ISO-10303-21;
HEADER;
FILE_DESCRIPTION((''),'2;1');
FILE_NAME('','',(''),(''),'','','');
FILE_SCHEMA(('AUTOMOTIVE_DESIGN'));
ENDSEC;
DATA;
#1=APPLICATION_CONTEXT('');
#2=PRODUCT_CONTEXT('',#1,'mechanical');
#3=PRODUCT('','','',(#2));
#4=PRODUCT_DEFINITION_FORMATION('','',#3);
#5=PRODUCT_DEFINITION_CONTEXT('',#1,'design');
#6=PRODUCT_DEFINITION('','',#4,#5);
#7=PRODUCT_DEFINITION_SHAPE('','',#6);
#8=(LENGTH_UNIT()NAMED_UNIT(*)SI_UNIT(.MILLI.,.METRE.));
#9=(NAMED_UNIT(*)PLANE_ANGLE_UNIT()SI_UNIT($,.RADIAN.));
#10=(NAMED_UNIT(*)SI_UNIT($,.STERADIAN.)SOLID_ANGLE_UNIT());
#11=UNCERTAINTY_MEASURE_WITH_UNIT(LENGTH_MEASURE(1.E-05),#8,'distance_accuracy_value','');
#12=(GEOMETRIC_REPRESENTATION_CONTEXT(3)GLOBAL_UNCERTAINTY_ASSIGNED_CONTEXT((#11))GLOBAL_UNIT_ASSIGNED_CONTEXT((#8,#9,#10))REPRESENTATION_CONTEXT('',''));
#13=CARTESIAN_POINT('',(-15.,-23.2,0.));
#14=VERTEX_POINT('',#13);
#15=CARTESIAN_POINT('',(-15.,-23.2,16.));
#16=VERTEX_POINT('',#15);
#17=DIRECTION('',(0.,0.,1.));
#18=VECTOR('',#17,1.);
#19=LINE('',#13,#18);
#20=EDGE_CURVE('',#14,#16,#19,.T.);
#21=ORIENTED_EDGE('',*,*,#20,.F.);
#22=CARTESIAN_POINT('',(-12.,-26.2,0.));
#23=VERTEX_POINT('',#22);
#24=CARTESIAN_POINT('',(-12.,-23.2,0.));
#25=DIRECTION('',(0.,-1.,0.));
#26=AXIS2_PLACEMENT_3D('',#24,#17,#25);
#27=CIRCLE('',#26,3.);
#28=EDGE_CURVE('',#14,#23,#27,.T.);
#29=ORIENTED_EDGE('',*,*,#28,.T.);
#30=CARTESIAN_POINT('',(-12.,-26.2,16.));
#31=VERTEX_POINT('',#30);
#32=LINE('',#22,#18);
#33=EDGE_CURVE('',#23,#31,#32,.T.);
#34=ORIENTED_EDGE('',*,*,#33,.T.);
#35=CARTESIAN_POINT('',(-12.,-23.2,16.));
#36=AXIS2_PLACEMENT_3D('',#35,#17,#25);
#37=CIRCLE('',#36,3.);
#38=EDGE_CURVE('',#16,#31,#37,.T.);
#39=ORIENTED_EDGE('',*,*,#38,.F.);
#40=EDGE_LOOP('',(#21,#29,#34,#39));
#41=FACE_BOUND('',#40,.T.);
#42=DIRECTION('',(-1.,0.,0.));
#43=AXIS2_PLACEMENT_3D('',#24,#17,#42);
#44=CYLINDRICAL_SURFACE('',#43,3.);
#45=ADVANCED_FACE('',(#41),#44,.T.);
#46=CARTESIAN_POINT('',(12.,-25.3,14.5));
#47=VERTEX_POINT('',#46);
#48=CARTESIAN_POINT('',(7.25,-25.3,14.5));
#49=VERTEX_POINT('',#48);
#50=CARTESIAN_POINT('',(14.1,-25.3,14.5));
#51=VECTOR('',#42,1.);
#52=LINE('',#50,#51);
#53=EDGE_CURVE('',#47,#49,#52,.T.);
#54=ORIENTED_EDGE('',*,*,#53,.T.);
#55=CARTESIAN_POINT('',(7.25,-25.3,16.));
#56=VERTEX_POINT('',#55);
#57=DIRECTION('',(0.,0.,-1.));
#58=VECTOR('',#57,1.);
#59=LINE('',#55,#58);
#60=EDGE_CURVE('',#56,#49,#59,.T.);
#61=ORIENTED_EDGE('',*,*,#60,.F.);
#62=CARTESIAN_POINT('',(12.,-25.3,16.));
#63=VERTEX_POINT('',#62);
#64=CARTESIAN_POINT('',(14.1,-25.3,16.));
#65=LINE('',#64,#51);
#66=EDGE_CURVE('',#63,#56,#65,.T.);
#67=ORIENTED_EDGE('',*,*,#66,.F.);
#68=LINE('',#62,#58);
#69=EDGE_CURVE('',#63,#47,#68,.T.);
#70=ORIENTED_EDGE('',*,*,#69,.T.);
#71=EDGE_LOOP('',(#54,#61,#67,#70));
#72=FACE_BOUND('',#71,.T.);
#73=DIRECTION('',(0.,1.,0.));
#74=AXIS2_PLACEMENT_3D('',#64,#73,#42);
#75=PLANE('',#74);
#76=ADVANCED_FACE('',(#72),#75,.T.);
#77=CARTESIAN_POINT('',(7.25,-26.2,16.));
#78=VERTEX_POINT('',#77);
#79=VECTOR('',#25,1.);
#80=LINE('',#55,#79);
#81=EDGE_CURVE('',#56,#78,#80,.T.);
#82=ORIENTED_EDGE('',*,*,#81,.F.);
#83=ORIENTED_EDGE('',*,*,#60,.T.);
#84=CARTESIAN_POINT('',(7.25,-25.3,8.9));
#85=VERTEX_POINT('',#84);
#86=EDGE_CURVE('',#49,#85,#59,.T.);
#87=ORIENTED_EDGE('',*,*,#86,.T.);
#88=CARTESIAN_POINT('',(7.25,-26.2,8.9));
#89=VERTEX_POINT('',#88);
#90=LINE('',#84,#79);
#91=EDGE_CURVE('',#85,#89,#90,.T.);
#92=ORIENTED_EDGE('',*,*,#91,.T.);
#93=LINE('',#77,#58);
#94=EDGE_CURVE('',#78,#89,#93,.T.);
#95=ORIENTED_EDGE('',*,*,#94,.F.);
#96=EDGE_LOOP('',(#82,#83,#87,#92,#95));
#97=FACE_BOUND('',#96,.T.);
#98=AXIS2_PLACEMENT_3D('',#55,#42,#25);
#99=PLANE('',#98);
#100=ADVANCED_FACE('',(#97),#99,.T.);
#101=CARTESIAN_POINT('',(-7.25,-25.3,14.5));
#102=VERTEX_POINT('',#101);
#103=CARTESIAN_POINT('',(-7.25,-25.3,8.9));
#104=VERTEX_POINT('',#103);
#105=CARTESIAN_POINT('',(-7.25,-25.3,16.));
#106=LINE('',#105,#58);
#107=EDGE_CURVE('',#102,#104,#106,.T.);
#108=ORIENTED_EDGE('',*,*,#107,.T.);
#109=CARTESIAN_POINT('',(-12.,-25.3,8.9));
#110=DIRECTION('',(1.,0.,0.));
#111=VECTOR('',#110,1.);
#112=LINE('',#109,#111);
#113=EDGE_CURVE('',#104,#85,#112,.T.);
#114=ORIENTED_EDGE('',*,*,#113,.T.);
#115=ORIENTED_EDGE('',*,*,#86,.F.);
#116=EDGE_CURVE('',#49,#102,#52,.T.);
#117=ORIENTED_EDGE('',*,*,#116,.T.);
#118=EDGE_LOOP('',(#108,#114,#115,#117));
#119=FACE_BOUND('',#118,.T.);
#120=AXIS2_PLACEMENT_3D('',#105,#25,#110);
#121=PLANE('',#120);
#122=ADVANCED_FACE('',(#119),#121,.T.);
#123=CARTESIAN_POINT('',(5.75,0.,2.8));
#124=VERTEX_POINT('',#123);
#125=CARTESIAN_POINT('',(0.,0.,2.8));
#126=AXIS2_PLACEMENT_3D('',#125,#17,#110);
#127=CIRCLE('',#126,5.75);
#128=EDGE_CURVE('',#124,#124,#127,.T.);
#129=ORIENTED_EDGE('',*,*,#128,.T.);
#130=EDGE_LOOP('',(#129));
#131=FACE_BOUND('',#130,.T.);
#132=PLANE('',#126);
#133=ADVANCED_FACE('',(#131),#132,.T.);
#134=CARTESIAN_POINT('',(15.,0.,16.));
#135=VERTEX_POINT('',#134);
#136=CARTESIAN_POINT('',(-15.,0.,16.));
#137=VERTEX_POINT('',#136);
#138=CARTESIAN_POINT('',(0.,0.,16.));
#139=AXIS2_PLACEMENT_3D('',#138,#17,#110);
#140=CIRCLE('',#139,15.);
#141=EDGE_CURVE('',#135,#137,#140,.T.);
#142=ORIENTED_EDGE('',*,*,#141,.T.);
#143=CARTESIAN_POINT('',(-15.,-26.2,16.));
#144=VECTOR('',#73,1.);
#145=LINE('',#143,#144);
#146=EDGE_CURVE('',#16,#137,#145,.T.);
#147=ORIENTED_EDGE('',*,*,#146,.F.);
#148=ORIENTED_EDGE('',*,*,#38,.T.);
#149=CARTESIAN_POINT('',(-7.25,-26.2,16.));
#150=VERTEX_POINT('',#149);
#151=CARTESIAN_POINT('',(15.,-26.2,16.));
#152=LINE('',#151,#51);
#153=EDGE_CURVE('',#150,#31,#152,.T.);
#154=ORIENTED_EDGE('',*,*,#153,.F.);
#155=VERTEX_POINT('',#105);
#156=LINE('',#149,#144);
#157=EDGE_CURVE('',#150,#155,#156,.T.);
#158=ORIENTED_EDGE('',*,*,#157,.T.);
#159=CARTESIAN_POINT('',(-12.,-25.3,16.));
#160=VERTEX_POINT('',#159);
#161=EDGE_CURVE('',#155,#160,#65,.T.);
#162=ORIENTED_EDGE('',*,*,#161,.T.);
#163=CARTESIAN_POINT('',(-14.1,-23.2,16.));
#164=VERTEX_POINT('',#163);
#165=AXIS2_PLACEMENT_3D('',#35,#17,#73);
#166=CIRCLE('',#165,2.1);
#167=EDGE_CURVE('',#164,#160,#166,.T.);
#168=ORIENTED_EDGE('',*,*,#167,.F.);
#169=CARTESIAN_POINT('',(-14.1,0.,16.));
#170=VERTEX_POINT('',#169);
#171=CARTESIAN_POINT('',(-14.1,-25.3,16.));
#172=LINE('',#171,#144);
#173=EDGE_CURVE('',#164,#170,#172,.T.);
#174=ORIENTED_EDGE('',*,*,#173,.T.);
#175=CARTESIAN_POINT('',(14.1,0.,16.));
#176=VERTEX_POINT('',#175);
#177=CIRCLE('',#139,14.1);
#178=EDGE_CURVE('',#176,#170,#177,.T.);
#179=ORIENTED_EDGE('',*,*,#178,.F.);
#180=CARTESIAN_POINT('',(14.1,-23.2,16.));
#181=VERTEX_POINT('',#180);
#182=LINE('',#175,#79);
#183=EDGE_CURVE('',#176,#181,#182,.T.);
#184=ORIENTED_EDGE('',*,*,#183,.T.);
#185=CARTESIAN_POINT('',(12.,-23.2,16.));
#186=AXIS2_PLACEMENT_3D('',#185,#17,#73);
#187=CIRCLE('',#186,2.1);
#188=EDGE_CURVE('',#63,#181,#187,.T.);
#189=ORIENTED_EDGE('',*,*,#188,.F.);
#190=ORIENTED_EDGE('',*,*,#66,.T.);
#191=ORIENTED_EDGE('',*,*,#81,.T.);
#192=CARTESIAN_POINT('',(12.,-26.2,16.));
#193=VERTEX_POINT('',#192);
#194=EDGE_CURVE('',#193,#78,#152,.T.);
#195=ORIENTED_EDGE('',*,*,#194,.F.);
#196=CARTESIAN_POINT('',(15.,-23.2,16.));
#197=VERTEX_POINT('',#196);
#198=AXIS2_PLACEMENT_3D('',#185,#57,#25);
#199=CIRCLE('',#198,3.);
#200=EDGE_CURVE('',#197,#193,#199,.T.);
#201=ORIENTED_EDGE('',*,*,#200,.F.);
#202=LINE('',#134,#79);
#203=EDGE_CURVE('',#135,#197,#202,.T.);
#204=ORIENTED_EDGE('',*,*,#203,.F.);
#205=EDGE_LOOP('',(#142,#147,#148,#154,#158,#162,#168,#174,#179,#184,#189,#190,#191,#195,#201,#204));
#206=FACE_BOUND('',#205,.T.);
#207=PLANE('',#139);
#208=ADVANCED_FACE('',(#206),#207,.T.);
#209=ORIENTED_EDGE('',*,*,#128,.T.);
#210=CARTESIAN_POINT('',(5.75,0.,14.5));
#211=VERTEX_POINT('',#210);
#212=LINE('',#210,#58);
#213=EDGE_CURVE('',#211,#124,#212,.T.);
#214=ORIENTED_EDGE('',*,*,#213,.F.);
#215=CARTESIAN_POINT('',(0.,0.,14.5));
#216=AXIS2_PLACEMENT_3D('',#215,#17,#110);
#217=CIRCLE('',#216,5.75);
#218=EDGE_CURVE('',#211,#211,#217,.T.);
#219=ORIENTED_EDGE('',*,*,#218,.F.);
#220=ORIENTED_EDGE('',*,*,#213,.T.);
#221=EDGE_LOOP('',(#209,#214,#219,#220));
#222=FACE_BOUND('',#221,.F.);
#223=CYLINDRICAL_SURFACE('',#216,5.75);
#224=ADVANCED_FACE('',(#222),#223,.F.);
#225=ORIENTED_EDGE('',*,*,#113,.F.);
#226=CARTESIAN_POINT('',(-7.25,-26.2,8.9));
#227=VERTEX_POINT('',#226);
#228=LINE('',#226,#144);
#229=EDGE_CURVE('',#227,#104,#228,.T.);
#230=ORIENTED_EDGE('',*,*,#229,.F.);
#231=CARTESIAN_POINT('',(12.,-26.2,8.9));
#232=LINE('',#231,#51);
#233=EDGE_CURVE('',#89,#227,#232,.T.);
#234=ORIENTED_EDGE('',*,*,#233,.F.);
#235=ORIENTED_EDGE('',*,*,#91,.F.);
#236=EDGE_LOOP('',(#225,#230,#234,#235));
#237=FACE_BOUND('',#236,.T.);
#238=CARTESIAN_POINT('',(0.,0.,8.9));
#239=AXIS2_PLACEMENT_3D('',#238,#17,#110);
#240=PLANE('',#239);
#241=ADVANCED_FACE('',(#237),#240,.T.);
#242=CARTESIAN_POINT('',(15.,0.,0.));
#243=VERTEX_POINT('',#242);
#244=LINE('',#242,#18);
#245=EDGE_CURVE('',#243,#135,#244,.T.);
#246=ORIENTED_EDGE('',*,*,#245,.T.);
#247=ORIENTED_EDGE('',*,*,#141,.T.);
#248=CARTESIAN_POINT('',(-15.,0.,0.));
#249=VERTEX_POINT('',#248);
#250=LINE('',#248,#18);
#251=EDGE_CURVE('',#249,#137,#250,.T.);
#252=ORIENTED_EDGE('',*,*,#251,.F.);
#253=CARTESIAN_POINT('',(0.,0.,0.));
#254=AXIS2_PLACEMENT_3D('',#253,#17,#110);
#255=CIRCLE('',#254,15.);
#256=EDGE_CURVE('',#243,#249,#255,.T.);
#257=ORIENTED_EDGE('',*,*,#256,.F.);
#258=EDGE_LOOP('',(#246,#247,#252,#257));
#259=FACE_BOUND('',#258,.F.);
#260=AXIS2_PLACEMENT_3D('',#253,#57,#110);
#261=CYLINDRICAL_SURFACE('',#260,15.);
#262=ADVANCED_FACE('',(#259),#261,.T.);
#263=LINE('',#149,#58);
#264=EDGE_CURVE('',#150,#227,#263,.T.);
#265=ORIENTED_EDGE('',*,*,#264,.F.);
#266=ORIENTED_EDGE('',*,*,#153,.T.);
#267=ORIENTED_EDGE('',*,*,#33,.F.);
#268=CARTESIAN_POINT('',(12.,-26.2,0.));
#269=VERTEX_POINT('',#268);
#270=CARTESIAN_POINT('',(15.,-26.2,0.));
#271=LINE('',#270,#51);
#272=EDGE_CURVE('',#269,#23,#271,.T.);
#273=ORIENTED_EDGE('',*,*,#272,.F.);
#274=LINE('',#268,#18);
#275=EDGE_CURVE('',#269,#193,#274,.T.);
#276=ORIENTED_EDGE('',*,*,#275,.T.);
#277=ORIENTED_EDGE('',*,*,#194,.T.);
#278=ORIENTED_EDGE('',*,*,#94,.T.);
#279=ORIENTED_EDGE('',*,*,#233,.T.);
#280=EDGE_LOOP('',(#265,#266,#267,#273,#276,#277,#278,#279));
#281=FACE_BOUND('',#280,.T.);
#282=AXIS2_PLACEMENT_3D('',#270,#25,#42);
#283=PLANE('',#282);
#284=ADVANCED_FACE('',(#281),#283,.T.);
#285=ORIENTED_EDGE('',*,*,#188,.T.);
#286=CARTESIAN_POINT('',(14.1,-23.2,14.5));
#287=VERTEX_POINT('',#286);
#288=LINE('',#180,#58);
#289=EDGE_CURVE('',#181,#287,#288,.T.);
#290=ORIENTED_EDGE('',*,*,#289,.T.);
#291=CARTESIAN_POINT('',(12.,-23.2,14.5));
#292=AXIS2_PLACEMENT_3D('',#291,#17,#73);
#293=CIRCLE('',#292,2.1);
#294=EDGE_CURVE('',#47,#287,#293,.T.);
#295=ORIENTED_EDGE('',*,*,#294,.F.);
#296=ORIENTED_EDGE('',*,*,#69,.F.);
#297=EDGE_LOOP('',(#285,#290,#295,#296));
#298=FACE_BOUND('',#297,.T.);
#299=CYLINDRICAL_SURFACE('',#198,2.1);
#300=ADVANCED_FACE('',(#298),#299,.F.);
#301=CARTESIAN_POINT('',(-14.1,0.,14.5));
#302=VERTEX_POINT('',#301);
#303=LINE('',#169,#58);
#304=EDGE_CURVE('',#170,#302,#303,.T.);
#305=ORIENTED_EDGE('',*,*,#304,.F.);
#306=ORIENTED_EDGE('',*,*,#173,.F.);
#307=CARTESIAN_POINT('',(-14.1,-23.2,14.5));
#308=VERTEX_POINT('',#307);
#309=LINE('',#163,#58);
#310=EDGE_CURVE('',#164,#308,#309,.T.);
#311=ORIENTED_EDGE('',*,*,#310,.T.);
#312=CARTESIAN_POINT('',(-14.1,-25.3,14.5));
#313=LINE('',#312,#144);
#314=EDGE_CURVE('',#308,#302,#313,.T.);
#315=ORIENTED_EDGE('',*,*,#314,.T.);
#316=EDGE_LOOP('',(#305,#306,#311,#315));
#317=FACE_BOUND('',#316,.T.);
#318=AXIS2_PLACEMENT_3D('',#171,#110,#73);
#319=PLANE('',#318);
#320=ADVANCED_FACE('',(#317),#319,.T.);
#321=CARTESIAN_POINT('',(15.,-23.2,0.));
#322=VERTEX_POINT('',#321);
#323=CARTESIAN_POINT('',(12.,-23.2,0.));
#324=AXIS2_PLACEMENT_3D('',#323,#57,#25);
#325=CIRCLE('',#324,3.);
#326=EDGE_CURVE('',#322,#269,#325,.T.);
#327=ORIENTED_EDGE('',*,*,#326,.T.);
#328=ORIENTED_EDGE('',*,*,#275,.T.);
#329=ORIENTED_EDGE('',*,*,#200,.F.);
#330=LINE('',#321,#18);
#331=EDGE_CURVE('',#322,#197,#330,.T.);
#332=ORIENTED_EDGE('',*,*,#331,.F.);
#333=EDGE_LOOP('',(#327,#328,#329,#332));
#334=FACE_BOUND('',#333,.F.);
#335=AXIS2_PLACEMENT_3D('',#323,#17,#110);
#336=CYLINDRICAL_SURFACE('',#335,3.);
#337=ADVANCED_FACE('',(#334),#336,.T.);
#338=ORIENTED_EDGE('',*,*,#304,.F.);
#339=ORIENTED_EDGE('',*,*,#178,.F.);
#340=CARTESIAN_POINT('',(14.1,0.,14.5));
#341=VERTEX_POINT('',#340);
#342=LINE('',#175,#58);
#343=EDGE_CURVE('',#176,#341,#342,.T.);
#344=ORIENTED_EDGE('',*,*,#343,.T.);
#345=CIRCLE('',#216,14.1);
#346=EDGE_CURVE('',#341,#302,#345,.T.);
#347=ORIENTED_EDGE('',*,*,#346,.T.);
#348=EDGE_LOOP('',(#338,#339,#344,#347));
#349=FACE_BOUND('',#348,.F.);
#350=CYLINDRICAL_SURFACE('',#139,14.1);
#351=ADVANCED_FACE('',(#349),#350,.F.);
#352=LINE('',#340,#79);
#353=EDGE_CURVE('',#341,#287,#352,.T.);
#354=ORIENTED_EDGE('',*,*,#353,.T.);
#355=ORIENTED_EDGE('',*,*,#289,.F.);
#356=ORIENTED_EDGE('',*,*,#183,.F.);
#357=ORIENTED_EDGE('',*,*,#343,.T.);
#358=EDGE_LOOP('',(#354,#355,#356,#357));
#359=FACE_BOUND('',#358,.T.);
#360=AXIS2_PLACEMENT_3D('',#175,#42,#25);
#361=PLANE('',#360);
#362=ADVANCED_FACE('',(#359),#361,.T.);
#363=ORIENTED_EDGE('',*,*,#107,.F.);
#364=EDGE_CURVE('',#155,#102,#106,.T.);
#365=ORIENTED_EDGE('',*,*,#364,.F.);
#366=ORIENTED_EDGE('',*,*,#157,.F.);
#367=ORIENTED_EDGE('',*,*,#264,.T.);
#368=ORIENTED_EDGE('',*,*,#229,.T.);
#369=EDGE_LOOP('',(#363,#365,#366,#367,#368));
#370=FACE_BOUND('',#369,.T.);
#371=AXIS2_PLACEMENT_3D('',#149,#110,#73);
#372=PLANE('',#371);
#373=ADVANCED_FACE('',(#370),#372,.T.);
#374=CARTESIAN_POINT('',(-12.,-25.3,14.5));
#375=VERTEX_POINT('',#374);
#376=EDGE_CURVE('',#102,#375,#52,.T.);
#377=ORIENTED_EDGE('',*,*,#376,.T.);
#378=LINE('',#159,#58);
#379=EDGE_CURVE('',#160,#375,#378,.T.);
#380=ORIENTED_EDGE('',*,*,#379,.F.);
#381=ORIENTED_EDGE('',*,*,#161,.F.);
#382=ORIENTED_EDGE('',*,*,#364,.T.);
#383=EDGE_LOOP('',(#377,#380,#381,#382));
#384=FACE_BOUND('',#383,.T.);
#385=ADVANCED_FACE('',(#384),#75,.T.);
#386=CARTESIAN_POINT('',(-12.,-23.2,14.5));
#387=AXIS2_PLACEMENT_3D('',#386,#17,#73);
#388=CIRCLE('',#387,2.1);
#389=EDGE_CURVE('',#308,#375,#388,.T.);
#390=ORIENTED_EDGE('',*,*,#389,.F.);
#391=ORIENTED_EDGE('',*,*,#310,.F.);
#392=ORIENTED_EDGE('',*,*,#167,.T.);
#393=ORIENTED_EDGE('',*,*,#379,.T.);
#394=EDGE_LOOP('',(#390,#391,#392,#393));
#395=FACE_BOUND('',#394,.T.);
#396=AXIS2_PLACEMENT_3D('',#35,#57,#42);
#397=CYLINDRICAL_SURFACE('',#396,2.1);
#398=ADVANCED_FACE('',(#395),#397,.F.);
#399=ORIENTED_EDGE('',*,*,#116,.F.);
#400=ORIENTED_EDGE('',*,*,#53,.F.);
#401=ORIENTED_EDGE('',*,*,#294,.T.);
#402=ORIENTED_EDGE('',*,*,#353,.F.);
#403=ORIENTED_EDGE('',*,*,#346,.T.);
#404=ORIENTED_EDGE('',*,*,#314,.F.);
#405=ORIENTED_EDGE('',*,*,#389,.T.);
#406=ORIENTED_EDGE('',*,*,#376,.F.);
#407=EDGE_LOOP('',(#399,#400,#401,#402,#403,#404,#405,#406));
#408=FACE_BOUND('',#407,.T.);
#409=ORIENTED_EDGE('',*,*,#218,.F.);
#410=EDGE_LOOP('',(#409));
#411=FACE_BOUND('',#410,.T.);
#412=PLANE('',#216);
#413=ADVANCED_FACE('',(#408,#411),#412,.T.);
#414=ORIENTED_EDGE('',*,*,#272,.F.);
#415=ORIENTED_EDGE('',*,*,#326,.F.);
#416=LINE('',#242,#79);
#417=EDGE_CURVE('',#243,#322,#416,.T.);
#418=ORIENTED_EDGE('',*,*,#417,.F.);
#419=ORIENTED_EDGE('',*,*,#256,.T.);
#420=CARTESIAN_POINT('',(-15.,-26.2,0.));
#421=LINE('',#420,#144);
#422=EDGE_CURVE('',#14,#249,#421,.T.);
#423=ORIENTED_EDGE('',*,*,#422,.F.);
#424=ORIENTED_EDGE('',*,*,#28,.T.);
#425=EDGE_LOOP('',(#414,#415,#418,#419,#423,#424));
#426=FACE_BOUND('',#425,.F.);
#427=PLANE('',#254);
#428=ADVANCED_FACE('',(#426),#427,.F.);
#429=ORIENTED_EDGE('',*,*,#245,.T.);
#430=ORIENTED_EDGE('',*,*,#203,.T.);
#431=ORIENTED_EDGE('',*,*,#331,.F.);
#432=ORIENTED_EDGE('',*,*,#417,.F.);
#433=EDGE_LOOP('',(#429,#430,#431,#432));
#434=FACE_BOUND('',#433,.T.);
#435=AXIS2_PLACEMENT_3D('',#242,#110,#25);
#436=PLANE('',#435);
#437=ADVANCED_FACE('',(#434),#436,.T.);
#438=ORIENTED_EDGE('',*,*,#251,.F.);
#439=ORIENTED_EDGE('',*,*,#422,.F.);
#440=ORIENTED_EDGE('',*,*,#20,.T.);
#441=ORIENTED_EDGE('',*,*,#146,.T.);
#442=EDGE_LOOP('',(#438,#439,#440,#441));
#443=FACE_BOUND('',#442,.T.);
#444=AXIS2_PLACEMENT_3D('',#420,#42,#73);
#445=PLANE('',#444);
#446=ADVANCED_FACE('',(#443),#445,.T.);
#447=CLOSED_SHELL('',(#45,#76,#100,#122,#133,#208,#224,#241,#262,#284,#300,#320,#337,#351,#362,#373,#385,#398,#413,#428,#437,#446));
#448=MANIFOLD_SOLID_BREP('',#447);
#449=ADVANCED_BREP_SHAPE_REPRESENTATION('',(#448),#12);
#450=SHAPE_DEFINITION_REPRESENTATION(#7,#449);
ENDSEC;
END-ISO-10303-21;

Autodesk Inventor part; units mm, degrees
ref_plane "YZ Plane" through (0, 0, 0) normal (1, 0, 0) x (0, 1, 0)
ref_plane "XZ Plane" through (0, 0, 0) normal (0, 1, 0) x (-1, 0, 0)
ref_plane "XY Plane" through (0, 0, 0) normal (0, 0, 1) x (1, 0, 0)
sketch "スケッチ1" plane through (0, 0, 0) normal (0, 0, 1) x (1, 0, 0)
  line L0 (-15, 0) -> (15, 0)
  line L1 (15, 0) -> (15, -26.2)
  line L2 (15, -26.2) -> (-15, -26.2)
  line L3 (-15, -26.2) -> (-15, 0)
  circle A0 centre (0, 0) radius 15
  dimension "d0" = 30
  dimension "d1" = 15
  dimension "d2" = 26.2
  dimension "d3" = 0
extrude "押し出し1" add sketch "スケッチ1" along normal blind 16
sketch "スケッチ2" plane through (0, 0, 16) normal (0, 0, 1) x (1, 0, 0)
  arc A0 (15, 0) -> (-15, 0) centre (0, 0) ccw projected
  line L0 (-15, -26.2) -> (-15, 0) projected
  line L1 (15, -26.2) -> (-15, -26.2) projected
  line L2 (15, 0) -> (15, -26.2) projected
  line L3 (-14.1, 0) -> (14.1, 0)
  line L4 (14.1, 0) -> (14.1, -25.3)
  line L5 (14.1, -25.3) -> (-14.1, -25.3)
  line L6 (-14.1, -25.3) -> (-14.1, 0)
  circle A1 centre (0, 0) radius 14.1
  dimension "d6" = 0.9
  dimension "d7" = 0.9
  dimension "d8" = 0.9
extrude "押し出し2" cut sketch "スケッチ2" against normal blind 1.5 contours A1 L3 | A1 L4 L5 L6 | L3 A1
sketch "スケッチ3" plane through (0, 0, 14.5) normal (0, 0, 1) x (1, 0, 0)
  arc A0 (14.1, 0) -> (-14.1, 0) centre (0, 0) ccw projected
  circle A1 centre (0, 0) radius 5.75
  dimension "d11" = 11.5
extrude "押し出し3" cut sketch "スケッチ3" against normal blind 11.7
fillet "フィレット1" radius 3 2 edges at (15, -26.2, 8) (-15, -26.2, 8)
fillet "フィレット2" radius 2.1 2 edges at (-14.1, -25.3, 15.25) (14.1, -25.3, 15.25)
sketch "スケッチ4" plane through (0, 0, 16) normal (0, 0, 1) x (1, 0, 0)
  line L0 (12, -26.2) -> (-12, -26.2) projected
  arc A0 (15, 0) -> (-15, 0) centre (0, 0) ccw projected
  line L1 (-12, -25.3) -> (12, -25.3) projected
  line L2 (-7.25, -25.3) -> (7.25, -25.3)
  line L3 (7.25, -25.3) -> (7.25, -26.2)
  line L4 (7.25, -26.2) -> (-7.25, -26.2)
  line L5 (-7.25, -26.2) -> (-7.25, -25.3)
  dimension "d16" = 14.5
  dimension "d17" = 7.25
extrude "押し出し4" cut sketch "スケッチ4" against normal blind 7.1
equation "\"d1\" = 0.5 * d0"
equation "\"d7\" = d6"
equation "\"d8\" = d6"
equation "\"d17\" = 0.5 * d16"
properties part number "HEDS-5500_B"
